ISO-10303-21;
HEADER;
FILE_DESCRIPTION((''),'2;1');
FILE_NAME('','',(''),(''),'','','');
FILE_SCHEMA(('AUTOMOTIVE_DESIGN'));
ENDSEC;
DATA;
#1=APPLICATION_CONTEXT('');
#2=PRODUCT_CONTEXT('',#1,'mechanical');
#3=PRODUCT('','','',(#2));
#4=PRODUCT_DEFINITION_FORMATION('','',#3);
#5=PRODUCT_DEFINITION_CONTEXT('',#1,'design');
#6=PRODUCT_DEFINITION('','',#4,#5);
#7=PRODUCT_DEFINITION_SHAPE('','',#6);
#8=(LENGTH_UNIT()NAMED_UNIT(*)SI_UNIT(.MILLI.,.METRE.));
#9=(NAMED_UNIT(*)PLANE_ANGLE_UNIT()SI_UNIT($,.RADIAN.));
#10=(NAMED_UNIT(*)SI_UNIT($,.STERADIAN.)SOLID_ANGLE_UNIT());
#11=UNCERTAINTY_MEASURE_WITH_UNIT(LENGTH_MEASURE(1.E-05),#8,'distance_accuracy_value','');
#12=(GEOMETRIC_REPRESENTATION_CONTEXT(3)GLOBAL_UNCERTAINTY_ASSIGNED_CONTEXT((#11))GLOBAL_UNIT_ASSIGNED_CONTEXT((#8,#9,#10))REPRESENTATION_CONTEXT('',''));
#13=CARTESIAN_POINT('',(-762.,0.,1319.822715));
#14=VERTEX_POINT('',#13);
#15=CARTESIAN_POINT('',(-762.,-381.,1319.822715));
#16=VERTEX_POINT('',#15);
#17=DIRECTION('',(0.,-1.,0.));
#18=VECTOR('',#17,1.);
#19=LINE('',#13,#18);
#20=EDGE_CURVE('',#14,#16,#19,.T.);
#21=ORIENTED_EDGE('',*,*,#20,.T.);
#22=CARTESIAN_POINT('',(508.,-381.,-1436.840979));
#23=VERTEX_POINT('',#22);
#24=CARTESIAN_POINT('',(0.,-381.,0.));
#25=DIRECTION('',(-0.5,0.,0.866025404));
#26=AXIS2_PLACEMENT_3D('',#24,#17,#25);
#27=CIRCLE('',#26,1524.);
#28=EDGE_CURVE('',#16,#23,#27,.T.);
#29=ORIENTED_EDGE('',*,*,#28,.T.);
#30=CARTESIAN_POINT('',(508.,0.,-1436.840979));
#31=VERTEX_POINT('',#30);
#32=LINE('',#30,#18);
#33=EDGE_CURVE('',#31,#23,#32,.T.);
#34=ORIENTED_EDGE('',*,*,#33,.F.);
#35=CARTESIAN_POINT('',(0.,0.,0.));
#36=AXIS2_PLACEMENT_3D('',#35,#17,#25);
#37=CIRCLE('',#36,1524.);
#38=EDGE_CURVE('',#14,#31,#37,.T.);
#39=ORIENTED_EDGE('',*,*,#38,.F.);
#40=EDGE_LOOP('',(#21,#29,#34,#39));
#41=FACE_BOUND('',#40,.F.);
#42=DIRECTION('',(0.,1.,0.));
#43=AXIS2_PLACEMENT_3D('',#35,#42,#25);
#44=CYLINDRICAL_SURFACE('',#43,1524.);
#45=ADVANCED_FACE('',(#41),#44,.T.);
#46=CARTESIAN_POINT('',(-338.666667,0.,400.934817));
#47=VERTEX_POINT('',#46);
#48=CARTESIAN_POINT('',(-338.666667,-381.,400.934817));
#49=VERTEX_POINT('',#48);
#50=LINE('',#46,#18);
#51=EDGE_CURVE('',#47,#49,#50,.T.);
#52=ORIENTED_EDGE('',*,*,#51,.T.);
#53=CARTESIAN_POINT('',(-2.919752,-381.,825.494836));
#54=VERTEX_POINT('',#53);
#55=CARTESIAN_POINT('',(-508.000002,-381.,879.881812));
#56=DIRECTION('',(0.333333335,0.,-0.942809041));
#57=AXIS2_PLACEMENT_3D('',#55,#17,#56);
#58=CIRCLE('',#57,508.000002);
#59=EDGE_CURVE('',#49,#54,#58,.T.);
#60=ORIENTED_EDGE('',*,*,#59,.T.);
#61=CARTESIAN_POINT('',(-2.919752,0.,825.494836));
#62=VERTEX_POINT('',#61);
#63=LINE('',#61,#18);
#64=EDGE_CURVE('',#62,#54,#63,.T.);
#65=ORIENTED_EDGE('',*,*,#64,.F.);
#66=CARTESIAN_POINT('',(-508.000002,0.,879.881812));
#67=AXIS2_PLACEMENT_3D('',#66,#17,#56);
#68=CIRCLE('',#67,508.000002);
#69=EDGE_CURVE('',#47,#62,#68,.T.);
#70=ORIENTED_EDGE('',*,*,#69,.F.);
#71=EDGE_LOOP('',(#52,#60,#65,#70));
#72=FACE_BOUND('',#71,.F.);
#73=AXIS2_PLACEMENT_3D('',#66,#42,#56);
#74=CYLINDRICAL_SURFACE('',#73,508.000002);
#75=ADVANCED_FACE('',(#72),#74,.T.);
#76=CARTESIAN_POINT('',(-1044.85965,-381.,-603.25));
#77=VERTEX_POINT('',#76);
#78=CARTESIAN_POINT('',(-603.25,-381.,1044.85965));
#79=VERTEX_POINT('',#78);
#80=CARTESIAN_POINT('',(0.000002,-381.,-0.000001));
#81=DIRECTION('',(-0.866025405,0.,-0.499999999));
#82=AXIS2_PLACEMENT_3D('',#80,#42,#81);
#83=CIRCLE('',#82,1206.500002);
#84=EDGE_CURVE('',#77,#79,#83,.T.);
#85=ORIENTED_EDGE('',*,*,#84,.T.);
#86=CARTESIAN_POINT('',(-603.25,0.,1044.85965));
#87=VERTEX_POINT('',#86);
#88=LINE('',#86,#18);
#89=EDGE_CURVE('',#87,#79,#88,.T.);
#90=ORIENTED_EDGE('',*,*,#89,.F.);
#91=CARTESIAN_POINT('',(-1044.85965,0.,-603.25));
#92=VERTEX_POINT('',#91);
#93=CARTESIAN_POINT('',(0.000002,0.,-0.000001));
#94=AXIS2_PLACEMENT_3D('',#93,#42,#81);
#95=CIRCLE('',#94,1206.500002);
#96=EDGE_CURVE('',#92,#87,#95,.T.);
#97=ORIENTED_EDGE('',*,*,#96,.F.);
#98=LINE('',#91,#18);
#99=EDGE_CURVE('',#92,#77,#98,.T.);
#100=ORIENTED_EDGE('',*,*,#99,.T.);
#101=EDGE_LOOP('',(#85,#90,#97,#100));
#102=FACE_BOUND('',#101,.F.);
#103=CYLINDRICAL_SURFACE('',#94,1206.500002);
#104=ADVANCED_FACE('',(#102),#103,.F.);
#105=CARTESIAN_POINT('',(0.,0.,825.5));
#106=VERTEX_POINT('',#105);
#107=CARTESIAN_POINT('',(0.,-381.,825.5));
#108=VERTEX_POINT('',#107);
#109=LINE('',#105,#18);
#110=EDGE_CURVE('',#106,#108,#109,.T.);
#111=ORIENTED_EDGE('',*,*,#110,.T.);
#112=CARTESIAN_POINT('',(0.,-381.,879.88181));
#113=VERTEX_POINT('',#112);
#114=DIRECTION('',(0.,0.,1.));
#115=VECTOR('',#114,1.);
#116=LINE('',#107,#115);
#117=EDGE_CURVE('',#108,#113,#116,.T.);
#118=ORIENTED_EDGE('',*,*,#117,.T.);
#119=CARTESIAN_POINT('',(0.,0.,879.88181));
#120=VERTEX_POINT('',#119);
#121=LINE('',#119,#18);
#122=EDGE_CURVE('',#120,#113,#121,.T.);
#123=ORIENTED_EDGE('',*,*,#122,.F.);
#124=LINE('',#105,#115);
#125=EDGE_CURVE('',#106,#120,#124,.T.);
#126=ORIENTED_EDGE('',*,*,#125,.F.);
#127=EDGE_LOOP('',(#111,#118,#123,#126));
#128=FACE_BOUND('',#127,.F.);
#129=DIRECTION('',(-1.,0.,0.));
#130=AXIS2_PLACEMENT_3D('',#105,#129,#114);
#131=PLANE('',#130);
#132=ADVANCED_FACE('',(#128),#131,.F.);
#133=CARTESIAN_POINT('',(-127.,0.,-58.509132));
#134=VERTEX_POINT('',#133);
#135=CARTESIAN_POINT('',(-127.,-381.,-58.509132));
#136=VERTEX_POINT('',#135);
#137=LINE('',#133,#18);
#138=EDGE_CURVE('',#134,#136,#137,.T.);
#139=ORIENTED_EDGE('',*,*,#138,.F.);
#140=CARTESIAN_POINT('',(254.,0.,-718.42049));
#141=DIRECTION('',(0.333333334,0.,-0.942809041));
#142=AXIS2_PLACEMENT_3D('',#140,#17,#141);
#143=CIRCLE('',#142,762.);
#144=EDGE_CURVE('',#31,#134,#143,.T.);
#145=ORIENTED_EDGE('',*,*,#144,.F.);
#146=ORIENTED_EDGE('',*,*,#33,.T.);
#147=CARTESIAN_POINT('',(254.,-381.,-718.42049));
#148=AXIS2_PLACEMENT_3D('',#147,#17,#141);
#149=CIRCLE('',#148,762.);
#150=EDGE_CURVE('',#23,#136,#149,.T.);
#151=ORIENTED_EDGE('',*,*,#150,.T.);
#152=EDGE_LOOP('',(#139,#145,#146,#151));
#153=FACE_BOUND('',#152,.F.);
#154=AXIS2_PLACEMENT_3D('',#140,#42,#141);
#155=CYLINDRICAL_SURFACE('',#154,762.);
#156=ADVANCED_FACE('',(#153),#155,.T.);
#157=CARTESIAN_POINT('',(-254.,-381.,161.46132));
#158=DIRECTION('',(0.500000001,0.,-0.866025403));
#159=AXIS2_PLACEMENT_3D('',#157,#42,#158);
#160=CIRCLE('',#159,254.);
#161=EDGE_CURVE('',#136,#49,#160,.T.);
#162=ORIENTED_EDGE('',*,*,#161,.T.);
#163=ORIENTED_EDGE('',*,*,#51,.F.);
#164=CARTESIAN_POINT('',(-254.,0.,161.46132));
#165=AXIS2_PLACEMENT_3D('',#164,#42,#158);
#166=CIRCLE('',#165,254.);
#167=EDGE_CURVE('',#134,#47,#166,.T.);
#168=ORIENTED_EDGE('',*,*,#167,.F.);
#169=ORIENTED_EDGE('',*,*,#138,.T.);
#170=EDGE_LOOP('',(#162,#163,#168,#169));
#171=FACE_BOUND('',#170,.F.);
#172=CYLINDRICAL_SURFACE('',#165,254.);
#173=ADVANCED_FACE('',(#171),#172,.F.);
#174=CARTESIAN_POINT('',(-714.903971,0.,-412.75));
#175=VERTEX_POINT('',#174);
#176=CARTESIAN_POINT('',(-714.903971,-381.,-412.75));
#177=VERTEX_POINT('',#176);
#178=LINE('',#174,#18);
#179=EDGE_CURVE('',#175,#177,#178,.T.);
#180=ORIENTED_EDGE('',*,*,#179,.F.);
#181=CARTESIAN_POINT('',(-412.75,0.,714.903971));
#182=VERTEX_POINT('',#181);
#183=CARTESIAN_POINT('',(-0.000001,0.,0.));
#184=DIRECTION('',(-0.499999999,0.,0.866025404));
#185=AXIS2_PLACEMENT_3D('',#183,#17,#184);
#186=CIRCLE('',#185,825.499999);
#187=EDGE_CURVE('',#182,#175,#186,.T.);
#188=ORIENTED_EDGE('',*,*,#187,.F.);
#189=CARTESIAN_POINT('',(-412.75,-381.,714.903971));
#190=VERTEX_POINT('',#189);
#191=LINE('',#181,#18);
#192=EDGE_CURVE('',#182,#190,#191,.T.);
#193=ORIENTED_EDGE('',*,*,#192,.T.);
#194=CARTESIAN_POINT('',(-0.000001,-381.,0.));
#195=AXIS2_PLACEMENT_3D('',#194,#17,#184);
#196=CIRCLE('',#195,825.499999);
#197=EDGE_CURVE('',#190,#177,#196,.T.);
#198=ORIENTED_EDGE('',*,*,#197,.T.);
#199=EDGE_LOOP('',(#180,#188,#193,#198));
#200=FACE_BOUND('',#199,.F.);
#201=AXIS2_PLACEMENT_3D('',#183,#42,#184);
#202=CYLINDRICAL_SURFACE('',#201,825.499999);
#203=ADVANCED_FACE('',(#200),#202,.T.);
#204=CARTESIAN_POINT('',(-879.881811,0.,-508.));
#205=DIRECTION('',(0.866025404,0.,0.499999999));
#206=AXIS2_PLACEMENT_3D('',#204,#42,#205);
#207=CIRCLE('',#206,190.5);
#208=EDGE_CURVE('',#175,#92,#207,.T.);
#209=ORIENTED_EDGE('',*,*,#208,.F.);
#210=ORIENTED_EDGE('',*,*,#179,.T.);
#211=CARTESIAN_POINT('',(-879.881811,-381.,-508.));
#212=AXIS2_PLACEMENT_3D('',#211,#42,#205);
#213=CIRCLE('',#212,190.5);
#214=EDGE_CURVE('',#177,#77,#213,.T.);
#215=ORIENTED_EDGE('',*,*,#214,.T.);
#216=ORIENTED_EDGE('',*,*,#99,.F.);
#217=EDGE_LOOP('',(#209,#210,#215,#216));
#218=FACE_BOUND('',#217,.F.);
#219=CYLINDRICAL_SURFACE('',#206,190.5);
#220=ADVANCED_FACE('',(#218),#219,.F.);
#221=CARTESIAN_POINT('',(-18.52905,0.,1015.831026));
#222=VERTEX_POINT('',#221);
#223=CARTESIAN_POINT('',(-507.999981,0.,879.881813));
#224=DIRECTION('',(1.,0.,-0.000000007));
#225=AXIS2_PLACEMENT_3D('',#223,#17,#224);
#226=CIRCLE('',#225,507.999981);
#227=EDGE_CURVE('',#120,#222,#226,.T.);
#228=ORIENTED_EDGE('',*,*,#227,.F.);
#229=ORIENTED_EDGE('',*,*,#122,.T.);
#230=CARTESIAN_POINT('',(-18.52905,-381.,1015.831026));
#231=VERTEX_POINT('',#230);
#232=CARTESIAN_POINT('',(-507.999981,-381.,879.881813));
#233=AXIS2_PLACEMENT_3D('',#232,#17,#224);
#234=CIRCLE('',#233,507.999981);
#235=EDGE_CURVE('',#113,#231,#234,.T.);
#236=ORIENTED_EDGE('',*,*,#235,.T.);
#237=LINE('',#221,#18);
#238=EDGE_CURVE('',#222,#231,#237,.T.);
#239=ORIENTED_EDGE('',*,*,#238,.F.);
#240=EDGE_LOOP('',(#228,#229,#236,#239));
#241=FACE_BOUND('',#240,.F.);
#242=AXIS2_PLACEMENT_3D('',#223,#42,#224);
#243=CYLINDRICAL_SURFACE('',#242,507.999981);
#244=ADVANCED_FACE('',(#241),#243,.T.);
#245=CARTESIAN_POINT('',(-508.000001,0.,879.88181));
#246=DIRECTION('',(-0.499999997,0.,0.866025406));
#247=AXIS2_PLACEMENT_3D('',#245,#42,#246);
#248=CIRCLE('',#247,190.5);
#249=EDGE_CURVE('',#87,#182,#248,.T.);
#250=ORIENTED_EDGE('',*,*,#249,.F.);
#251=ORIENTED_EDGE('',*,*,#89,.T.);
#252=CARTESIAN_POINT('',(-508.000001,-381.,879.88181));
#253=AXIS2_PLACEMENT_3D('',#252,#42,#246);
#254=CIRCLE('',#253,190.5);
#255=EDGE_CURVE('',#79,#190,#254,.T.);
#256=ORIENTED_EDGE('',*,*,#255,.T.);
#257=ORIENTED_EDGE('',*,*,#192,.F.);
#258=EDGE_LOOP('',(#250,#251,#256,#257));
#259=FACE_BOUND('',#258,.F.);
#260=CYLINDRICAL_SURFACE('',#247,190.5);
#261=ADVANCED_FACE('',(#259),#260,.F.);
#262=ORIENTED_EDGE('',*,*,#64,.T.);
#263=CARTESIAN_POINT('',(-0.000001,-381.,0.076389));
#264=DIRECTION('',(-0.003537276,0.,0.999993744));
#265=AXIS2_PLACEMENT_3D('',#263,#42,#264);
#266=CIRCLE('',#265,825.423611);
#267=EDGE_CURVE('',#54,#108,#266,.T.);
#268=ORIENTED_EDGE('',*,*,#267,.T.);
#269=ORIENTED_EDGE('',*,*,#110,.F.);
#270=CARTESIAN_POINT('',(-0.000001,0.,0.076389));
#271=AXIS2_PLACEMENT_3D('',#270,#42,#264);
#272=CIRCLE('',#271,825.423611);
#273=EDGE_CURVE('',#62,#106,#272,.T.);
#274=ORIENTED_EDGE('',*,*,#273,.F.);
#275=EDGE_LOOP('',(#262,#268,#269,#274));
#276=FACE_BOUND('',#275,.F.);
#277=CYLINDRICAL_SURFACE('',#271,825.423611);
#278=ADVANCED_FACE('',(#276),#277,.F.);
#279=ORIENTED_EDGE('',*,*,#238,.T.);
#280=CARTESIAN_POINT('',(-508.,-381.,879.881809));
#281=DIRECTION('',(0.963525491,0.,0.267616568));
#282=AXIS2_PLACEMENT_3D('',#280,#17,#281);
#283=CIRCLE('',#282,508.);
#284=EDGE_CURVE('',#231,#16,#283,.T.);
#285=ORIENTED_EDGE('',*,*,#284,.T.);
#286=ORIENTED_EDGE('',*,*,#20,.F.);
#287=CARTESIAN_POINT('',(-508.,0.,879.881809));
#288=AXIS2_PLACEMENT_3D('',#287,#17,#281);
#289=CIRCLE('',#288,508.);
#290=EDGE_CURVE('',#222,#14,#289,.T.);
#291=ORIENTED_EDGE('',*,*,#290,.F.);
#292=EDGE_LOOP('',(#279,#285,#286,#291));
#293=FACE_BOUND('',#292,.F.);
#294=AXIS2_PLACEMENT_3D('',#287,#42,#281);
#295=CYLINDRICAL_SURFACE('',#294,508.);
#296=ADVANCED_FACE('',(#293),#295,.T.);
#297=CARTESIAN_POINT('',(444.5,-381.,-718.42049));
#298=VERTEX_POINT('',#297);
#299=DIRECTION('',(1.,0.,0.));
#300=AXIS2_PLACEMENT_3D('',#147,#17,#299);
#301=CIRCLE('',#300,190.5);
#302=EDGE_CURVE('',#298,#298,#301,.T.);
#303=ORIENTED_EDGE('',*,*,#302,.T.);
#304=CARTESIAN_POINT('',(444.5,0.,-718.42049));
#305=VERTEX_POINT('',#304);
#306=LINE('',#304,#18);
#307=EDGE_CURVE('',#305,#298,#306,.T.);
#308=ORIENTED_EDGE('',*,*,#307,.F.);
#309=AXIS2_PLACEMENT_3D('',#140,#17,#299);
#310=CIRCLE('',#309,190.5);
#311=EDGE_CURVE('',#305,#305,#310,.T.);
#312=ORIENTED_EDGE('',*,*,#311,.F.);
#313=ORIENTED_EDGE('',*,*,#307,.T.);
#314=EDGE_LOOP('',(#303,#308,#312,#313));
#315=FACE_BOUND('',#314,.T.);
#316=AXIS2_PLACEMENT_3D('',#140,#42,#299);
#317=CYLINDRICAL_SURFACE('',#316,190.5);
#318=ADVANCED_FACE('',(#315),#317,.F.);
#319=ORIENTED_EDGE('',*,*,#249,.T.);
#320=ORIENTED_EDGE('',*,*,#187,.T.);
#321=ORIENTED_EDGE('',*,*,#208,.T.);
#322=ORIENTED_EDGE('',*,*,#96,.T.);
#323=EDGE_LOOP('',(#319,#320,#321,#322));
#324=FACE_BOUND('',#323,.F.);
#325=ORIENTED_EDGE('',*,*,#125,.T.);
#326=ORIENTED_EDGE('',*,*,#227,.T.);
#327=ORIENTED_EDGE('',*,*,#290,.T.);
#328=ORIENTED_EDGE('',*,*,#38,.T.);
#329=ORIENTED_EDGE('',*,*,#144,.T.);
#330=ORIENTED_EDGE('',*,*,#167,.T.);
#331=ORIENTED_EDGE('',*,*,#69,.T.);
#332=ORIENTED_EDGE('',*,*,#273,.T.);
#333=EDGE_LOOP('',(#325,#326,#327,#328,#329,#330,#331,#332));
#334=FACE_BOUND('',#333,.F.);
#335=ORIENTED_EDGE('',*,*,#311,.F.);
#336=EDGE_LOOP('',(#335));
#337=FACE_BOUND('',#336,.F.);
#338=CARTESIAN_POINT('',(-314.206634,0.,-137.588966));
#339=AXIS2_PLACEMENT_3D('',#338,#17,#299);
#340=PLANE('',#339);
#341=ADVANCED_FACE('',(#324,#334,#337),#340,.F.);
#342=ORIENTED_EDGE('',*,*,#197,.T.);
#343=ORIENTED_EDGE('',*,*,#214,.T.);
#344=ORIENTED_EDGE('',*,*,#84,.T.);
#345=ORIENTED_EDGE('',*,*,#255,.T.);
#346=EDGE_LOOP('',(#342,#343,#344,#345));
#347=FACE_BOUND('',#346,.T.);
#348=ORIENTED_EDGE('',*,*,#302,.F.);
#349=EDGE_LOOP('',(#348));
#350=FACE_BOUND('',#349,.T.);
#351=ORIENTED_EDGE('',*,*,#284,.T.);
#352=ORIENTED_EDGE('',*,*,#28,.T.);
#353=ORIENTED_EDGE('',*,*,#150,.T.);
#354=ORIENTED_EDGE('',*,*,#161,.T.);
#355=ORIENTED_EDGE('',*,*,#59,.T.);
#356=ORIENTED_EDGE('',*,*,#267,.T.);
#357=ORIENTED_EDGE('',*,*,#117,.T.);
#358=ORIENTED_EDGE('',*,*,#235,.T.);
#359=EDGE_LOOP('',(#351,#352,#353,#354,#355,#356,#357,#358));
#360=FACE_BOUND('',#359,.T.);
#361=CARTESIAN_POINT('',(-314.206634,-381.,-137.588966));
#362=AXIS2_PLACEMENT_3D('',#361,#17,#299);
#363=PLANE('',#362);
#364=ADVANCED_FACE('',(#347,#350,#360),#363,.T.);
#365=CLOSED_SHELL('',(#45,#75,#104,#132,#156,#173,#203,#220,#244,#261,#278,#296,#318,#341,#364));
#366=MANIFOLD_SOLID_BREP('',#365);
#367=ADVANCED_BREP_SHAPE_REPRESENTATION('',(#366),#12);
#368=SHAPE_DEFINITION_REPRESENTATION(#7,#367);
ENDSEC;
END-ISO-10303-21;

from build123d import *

# Parameters (mm, degrees)
F0_R     = 190.5
F1_DEPTH = 381


with BuildPart() as f1:
    # F0 (on Front) → F1 (new body)
    with BuildSketch(Plane.XZ):
        with BuildLine():
            ThreePointArc((-18.52905, 1015.831026), (-315.738775, 1350.094125), (-762, 1319.822715))
            ThreePointArc((-762, 1319.822715), (-1384.170395, -637.689829), (508, -1436.840979))
            ThreePointArc((508, -1436.840979), (946.085197, -399.575575), (-127, -58.509132))
            ThreePointArc((-127, -58.509132), (-484.695066, 55.179682), (-338.666667, 400.934817))
            ThreePointArc((-338.666667, 400.934817), (-109.538933, 564.774245), (-2.919752, 825.494836))
            ThreePointArc((-2.919752, 825.494836), (-0.730463, 852.649165), (0, 879.88181))
            ThreePointArc((0, 879.88181), (-4.653577, 948.484862), (-18.52905, 1015.831026))
        make_face()
        with Locations((254, -718.42049)):
            Circle(F0_R, mode=Mode.SUBTRACT)
        with BuildLine():
            ThreePointArc((-1044.85965, -603.25), (-1165.389509, 312.265178), (-603.25, 1044.85965))
            ThreePointArc((-603.25, 1044.85965), (-343.022161, 975.13181), (-412.75, 714.903971))
            ThreePointArc((-412.75, 714.903971), (-797.37177, 213.655122), (-714.903971, -412.75))
            ThreePointArc((-714.903971, -412.75), (-784.63181, -672.977839), (-1044.85965, -603.25))
        make_face(mode=Mode.SUBTRACT)
        with BuildLine():
            Line((0, 825.5), (0, 879.88181))
            ThreePointArc((0, 879.88181), (-0.730463, 852.649165), (-2.919752, 825.494836))
            ThreePointArc((-2.919752, 825.494836), (-1.459878, 825.498709), (0, 825.5))
        make_face()
    extrude(amount=F1_DEPTH)


solid = f1.part
